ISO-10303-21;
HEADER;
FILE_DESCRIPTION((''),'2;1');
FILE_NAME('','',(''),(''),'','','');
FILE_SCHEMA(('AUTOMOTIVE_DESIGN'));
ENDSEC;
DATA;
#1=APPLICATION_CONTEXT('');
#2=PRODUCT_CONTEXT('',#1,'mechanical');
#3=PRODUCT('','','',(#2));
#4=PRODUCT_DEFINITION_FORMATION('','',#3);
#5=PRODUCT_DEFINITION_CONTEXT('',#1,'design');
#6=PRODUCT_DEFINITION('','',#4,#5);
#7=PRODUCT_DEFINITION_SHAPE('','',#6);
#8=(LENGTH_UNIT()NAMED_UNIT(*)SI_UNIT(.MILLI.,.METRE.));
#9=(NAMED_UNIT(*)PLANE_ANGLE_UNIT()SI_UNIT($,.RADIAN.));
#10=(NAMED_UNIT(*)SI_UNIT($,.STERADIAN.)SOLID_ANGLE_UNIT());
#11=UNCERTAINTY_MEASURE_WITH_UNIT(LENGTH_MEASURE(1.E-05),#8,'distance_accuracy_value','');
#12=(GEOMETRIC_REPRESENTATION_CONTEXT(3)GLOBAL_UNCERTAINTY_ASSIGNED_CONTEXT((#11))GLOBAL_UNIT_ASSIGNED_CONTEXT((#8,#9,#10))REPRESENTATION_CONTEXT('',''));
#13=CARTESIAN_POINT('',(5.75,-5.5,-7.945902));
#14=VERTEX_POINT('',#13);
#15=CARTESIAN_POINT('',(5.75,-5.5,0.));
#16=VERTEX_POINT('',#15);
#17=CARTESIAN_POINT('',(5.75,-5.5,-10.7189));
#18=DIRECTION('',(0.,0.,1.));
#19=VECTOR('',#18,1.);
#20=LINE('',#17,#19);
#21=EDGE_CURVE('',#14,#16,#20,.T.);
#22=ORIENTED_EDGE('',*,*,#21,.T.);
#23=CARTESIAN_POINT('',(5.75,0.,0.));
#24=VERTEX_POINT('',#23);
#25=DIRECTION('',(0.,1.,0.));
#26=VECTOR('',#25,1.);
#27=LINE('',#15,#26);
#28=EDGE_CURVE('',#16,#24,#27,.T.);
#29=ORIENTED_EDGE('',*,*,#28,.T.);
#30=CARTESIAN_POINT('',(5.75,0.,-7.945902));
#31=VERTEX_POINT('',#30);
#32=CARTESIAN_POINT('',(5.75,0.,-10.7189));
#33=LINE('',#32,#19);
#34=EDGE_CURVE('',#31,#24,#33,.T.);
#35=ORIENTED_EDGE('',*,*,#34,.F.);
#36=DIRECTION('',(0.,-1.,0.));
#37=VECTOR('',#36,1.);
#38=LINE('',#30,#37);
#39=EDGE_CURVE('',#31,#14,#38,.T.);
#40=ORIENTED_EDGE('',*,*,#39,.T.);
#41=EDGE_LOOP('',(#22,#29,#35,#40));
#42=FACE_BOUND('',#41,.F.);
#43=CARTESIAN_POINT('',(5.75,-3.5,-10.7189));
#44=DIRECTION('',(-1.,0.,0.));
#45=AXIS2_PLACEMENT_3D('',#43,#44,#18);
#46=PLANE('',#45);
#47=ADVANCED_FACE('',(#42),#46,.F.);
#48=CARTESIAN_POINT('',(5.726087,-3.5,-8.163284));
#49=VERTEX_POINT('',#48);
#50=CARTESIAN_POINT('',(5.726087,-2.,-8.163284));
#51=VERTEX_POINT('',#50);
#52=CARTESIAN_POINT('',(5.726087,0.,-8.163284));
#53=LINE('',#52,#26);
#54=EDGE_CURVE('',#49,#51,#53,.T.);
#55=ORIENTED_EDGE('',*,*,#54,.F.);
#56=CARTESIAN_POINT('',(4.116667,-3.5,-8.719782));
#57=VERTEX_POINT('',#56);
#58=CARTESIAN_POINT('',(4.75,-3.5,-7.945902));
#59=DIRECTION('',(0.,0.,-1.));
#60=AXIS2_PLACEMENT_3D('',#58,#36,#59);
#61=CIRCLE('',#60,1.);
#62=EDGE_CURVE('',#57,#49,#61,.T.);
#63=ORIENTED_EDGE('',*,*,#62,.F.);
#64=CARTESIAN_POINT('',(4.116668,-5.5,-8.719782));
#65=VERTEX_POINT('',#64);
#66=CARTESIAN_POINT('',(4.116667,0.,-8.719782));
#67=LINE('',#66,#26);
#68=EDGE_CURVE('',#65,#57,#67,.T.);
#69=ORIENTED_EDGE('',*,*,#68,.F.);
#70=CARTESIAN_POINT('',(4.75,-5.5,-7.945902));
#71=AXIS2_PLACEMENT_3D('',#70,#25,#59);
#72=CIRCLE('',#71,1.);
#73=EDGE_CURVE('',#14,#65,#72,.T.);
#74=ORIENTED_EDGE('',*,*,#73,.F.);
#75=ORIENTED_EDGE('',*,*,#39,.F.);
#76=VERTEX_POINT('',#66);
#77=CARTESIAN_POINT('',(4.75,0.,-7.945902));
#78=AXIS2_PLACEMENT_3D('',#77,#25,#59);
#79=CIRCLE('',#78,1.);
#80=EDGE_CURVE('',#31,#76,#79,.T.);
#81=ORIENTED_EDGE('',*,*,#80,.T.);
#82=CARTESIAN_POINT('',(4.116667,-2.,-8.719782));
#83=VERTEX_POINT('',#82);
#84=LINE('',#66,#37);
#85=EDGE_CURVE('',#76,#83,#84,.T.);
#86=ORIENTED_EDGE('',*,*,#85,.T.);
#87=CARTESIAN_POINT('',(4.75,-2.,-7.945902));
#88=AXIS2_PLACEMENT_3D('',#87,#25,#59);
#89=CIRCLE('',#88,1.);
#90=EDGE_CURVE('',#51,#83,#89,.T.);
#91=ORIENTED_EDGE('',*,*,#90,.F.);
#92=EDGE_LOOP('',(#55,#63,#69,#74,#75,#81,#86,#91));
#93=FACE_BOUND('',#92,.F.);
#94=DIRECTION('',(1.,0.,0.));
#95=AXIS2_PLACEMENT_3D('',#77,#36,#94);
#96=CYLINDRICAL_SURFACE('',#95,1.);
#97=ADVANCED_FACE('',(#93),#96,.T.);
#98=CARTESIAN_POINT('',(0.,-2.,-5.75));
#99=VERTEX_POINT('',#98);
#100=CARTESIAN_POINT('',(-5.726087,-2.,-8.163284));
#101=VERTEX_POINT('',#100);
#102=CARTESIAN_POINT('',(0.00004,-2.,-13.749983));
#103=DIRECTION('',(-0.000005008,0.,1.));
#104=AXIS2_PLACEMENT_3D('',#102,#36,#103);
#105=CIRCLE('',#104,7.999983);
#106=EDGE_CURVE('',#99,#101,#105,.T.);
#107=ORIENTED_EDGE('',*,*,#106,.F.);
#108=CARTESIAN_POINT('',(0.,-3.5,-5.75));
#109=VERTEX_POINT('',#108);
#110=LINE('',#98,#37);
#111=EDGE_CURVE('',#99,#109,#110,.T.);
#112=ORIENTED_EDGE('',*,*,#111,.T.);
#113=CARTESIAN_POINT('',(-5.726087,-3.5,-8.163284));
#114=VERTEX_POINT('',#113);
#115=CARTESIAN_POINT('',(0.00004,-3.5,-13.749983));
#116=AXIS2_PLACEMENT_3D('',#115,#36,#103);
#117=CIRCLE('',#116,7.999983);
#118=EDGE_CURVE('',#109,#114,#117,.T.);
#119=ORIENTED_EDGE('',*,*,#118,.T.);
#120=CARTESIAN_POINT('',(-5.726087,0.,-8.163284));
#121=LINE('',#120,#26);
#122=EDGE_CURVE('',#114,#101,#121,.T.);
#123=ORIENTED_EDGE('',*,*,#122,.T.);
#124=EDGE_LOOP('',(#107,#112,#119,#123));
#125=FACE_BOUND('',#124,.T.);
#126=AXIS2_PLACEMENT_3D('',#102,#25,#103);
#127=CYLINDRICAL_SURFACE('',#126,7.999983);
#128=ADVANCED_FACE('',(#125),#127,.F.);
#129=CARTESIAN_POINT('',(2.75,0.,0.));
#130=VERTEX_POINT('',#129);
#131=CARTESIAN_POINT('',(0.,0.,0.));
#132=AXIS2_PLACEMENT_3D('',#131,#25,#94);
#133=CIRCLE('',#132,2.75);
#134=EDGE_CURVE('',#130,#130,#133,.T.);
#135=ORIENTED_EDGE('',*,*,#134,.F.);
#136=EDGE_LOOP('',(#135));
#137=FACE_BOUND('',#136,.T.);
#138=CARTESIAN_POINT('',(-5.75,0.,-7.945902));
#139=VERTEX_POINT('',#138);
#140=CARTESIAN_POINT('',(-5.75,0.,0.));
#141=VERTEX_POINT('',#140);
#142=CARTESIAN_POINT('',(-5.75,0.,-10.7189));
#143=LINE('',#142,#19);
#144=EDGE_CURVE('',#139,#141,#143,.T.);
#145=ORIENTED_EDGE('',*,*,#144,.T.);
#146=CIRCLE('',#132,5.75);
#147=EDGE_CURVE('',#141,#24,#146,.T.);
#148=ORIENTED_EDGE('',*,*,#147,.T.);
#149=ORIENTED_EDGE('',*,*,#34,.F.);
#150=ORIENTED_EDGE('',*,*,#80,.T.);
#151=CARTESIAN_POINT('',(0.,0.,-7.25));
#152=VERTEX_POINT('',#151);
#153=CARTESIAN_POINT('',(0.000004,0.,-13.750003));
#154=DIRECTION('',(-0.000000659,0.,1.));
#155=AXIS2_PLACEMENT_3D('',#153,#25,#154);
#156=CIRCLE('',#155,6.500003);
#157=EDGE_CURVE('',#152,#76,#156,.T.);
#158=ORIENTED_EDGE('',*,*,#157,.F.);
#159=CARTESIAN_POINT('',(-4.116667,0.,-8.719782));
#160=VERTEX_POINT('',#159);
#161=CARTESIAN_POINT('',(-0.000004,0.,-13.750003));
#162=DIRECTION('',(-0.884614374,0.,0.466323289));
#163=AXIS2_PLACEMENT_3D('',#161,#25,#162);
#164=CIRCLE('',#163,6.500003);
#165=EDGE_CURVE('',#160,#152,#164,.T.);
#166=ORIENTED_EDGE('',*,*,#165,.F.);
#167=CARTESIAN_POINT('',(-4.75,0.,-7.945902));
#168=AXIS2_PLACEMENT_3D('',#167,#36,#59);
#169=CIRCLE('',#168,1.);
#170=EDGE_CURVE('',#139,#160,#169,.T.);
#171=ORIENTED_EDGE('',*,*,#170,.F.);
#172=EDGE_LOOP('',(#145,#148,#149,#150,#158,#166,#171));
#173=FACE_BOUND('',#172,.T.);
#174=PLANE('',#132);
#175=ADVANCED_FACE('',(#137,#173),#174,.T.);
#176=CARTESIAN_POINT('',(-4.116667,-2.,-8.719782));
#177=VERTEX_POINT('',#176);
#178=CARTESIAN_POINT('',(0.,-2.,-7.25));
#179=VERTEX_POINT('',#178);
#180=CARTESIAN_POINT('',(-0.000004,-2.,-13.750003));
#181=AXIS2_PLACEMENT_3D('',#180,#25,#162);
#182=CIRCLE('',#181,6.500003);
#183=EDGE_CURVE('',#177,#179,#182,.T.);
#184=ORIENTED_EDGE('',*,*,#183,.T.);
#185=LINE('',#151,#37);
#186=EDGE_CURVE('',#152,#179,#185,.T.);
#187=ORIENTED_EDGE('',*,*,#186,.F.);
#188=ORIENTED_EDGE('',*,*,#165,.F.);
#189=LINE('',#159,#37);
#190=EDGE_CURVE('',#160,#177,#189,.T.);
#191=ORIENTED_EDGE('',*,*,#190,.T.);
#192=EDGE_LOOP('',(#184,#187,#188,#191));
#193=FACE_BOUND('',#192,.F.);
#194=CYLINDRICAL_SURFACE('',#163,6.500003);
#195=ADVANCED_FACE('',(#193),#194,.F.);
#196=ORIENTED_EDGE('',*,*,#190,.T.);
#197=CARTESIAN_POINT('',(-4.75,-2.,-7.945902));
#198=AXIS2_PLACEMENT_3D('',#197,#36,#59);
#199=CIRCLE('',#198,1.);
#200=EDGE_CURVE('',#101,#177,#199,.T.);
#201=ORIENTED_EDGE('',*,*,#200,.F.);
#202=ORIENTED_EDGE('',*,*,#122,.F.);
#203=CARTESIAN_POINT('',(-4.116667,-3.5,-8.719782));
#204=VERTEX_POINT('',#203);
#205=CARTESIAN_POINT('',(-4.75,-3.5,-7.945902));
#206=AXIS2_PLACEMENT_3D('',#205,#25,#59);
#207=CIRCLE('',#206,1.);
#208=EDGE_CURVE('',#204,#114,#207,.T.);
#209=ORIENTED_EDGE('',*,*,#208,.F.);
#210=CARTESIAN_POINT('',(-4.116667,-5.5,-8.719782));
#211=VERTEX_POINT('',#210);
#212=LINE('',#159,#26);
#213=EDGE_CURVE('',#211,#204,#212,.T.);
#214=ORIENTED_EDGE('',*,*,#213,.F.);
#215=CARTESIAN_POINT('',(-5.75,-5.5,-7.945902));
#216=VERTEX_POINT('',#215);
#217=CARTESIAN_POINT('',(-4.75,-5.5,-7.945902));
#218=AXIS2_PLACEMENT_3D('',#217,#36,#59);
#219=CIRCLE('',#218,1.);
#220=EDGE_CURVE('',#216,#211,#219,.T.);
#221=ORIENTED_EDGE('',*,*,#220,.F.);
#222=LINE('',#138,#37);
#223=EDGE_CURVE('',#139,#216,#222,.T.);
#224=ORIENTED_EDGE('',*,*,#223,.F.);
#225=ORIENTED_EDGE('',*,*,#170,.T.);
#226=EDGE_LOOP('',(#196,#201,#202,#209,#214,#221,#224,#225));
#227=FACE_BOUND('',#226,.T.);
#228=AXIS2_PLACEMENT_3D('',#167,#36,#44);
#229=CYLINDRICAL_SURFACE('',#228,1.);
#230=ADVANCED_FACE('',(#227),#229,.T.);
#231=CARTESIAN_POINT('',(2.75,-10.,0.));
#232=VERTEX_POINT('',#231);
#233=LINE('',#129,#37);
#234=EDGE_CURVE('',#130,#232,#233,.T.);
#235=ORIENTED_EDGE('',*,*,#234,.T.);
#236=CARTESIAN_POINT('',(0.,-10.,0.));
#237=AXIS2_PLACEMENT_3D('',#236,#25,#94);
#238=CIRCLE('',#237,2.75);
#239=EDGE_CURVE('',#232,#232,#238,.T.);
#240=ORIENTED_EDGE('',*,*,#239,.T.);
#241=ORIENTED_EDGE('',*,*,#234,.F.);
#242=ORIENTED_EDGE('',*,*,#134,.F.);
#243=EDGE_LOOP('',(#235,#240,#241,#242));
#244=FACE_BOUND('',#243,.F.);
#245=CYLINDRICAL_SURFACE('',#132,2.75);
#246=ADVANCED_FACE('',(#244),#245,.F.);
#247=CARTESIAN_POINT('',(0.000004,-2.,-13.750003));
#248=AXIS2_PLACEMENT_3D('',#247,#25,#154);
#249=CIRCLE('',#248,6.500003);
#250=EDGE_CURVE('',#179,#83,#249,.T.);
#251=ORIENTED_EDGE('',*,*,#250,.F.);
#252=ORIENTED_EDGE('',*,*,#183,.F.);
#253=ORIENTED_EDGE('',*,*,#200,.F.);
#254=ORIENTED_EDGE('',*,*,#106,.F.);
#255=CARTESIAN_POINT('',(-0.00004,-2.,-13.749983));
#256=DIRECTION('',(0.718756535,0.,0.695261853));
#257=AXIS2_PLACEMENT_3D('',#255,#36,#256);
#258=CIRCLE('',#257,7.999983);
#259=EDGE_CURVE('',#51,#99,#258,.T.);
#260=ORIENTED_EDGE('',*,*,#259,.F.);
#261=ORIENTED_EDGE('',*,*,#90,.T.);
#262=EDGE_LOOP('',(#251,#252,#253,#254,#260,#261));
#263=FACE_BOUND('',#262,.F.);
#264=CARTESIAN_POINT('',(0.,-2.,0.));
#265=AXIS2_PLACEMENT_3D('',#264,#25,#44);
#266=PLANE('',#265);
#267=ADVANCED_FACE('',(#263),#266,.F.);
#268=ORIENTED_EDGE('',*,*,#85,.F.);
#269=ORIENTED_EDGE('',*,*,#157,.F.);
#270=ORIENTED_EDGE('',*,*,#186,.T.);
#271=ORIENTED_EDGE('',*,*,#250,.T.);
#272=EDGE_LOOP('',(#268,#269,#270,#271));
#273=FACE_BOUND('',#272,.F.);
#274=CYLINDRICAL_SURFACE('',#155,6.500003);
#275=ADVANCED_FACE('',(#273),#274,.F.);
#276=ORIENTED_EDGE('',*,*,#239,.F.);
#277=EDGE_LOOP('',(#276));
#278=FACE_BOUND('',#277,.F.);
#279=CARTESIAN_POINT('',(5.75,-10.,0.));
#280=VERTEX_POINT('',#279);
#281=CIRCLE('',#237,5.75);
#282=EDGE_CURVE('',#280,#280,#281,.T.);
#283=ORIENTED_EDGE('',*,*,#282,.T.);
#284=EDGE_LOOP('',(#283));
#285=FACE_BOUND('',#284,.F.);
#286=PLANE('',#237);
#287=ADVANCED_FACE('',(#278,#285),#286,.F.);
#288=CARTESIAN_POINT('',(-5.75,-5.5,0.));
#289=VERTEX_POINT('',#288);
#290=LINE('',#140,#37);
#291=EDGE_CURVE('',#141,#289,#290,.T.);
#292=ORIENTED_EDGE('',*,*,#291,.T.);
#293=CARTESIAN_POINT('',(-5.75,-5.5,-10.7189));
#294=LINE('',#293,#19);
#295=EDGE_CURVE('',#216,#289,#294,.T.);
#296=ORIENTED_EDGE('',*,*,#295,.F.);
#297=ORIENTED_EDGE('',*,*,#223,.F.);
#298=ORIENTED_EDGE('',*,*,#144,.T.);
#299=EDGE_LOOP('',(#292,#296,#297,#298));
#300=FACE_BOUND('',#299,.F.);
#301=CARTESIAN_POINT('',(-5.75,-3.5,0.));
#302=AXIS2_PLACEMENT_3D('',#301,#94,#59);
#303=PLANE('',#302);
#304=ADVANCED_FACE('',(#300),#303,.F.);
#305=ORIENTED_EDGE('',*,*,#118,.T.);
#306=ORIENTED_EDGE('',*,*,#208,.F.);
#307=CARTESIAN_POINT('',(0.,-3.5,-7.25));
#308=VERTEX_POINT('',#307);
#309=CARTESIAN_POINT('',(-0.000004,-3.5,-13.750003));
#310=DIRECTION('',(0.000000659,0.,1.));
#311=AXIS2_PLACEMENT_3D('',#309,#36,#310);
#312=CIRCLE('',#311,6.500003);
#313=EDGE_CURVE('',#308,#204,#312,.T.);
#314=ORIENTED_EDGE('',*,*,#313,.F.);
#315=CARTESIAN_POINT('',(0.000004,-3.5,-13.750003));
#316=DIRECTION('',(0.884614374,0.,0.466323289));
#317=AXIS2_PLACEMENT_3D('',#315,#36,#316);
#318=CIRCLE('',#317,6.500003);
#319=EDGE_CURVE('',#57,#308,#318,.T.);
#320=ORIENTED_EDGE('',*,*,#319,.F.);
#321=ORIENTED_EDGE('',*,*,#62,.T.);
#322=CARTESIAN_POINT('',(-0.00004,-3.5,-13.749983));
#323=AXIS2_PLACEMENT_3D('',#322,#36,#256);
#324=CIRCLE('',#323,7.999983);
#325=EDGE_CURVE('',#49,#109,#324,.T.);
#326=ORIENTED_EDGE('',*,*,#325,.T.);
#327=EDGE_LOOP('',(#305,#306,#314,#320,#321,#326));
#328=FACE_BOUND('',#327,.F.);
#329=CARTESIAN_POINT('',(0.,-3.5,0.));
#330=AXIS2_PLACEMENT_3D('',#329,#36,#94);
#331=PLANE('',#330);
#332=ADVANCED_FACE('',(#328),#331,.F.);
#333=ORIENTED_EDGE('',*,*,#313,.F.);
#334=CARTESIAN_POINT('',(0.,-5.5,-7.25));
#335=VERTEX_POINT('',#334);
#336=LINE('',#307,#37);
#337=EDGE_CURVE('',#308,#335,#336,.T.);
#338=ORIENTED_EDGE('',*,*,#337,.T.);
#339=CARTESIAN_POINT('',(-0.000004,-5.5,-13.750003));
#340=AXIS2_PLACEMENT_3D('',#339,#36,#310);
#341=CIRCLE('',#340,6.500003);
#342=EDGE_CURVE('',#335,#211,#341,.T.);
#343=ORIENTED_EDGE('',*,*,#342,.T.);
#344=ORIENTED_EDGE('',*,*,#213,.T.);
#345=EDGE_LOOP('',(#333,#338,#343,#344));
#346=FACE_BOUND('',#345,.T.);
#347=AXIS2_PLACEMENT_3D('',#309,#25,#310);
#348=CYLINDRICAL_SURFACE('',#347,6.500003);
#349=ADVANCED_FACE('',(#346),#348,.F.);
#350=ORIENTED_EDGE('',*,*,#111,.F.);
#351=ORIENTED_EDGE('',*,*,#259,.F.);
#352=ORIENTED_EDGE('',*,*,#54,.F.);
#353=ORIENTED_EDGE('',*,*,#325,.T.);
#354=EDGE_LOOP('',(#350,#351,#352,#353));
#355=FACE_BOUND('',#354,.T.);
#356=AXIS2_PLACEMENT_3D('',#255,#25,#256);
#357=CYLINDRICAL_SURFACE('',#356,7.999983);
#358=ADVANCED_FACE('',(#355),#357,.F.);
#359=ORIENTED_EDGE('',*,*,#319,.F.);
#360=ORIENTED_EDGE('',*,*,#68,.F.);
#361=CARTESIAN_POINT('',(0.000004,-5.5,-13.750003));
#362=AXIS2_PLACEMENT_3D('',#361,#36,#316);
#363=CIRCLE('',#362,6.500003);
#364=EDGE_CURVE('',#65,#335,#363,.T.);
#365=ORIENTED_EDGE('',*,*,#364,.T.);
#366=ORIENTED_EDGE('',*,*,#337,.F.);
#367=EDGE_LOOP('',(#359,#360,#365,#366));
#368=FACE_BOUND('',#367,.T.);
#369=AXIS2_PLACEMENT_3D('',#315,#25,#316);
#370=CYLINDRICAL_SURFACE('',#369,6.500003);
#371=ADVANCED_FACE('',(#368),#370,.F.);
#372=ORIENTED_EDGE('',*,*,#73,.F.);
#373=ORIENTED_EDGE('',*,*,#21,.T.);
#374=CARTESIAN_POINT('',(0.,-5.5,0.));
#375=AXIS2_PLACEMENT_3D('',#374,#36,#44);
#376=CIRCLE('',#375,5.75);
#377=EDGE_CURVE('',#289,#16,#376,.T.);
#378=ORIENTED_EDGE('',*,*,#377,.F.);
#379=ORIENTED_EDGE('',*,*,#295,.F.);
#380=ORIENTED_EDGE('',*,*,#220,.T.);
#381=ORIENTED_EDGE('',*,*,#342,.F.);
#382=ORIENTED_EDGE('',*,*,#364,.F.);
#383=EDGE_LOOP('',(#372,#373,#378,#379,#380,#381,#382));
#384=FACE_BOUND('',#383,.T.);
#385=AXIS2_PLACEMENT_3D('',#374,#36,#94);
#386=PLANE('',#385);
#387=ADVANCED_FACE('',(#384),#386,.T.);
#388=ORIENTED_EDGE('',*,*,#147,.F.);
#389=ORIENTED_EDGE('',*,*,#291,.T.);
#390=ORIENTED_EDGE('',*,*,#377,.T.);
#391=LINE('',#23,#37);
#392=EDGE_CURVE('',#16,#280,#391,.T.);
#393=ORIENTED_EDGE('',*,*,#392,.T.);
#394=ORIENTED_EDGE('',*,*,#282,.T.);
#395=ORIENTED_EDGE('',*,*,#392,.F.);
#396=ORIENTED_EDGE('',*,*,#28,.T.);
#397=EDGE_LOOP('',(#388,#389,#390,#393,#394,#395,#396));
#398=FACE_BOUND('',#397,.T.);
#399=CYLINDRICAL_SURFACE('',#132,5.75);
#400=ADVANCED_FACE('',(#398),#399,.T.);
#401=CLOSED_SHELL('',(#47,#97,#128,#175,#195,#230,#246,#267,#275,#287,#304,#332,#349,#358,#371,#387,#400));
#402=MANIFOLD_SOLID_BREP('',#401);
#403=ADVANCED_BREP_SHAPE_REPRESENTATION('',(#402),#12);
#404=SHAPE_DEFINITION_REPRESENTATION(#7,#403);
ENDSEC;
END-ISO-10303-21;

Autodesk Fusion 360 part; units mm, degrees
sketch "Sketch1" plane through (0, 0, 0) normal (0, 1, 0) x (1, 0, 0)
  circle A0 centre (0, 0) radius 2.75
  circle A1 centre (0, 0) radius 5.75
  line L0 (-6, 0) -> (6, 0) construction
  dimension "d1" = 5.5
  dimension "d2" = 3
extrude "Extrude1" add sketch "Sketch1" against normal blind 10
sketch "Sketch2" plane through (0, 0, 0) normal (0, 1, 0) x (-1, 0, 0)
  circle A0 centre (0, 0) radius 2.75
  circle A1 centre (0, 0) radius 5.75
  line L0 (-6.5, 0) -> (6.5, 0) construction
  line L1 (0, -13.75) -> (0, 0) construction
  line L2 (-5.75, 0) -> (-5.75, -15) construction
  line L3 (5.75, 0) -> (5.75, -15) construction
  arc A2 (5.75, -10.7189) -> (0, -7.25) centre (0, -13.75) ccw
  arc A3 (0, -7.25) -> (-5.75, -10.7189) centre (0, -13.75) ccw
  line L4 (-5.75, -10.7189) -> (-5.75, 0)
  line L5 (5.75, -10.7189) -> (5.75, 0)
  dimension "d16" = 13.75
  dimension "d17" = 6.5
extrude "Extrude3" add sketch "Sketch2" against normal blind 2 contours A1 A2 A3 L4 L5
sketch "Sketch3" plane through (0, -2, 0) normal (0, -1, 0) x (1, 0, 0)
  arc A0 (5.75, -10.7189) -> (-5.75, -10.7189) centre (0, -13.75) ccw
  line L0 (5.75, -10.7189) -> (5.75, 0)
  arc A1 (-5.75, 0) -> (5.75, 0) centre (0, 0) ccw
  line L1 (-5.75, 0) -> (-5.75, -10.7189)
  arc A2 (5.75, -8.1879) -> (0, -5.75) centre (0, -13.75) ccw
  arc A3 (0, -5.75) -> (-5.75, -8.1879) centre (0, -13.75) ccw
  line L2 (-5.75, 0) -> (-5.75, -8.1879)
  line L3 (5.75, 0) -> (5.75, -8.1879)
  line L4 (-5.75, -8.1879) -> (0, -13.75) construction
  dimension "d24" = 8
extrude "Extrude4" add sketch "Sketch3" along normal blind 1.5 contours L0 A1 A2 L3 | A1 L1 A3 L2
sketch "Sketch5" plane through (0, -3.5, 0) normal (0, -1, 0) x (1, 0, 0)
  arc A0 (-5.75, 0) -> (0, -5.75) centre (0, 0) ccw
  line L0 (-5.75, 0) -> (-5.75, -8.1879)
  arc A1 (0, -5.75) -> (-5.75, -8.1879) centre (0, -13.75) ccw
  arc A2 (0, -7.25) -> (-5.75, -10.7189) centre (0, -13.75) ccw
  arc A3 (5.75, -10.7189) -> (0, -7.25) centre (0, -13.75) ccw
  line L1 (-5.75, -10.7189) -> (-5.75, 0)
  circle A4 centre (0, 0) radius 5.75
  line L2 (5.75, -10.7189) -> (5.75, 0)
  line L3 (0, -13.75) -> (0, 0)
  line L4 (0, -13.75) -> (-2.9897, -7.9784) construction
  dimension "d25" = 6.5
extrude "Extrude5" add sketch "Sketch5" along normal blind 2 contours A0 L0 A1 L1 A4 | A1 A2 L1 L3 | A3 A4 L2 L3
fillet "Fillet2" radius 1 2 edges at (5.75, -1, -10.7189) (5.75, -4.5, -10.7189)
fillet "Fillet4" radius 1 2 edges at (-5.75, -1, -10.7189) (-5.75, -4.5, -10.7189)
